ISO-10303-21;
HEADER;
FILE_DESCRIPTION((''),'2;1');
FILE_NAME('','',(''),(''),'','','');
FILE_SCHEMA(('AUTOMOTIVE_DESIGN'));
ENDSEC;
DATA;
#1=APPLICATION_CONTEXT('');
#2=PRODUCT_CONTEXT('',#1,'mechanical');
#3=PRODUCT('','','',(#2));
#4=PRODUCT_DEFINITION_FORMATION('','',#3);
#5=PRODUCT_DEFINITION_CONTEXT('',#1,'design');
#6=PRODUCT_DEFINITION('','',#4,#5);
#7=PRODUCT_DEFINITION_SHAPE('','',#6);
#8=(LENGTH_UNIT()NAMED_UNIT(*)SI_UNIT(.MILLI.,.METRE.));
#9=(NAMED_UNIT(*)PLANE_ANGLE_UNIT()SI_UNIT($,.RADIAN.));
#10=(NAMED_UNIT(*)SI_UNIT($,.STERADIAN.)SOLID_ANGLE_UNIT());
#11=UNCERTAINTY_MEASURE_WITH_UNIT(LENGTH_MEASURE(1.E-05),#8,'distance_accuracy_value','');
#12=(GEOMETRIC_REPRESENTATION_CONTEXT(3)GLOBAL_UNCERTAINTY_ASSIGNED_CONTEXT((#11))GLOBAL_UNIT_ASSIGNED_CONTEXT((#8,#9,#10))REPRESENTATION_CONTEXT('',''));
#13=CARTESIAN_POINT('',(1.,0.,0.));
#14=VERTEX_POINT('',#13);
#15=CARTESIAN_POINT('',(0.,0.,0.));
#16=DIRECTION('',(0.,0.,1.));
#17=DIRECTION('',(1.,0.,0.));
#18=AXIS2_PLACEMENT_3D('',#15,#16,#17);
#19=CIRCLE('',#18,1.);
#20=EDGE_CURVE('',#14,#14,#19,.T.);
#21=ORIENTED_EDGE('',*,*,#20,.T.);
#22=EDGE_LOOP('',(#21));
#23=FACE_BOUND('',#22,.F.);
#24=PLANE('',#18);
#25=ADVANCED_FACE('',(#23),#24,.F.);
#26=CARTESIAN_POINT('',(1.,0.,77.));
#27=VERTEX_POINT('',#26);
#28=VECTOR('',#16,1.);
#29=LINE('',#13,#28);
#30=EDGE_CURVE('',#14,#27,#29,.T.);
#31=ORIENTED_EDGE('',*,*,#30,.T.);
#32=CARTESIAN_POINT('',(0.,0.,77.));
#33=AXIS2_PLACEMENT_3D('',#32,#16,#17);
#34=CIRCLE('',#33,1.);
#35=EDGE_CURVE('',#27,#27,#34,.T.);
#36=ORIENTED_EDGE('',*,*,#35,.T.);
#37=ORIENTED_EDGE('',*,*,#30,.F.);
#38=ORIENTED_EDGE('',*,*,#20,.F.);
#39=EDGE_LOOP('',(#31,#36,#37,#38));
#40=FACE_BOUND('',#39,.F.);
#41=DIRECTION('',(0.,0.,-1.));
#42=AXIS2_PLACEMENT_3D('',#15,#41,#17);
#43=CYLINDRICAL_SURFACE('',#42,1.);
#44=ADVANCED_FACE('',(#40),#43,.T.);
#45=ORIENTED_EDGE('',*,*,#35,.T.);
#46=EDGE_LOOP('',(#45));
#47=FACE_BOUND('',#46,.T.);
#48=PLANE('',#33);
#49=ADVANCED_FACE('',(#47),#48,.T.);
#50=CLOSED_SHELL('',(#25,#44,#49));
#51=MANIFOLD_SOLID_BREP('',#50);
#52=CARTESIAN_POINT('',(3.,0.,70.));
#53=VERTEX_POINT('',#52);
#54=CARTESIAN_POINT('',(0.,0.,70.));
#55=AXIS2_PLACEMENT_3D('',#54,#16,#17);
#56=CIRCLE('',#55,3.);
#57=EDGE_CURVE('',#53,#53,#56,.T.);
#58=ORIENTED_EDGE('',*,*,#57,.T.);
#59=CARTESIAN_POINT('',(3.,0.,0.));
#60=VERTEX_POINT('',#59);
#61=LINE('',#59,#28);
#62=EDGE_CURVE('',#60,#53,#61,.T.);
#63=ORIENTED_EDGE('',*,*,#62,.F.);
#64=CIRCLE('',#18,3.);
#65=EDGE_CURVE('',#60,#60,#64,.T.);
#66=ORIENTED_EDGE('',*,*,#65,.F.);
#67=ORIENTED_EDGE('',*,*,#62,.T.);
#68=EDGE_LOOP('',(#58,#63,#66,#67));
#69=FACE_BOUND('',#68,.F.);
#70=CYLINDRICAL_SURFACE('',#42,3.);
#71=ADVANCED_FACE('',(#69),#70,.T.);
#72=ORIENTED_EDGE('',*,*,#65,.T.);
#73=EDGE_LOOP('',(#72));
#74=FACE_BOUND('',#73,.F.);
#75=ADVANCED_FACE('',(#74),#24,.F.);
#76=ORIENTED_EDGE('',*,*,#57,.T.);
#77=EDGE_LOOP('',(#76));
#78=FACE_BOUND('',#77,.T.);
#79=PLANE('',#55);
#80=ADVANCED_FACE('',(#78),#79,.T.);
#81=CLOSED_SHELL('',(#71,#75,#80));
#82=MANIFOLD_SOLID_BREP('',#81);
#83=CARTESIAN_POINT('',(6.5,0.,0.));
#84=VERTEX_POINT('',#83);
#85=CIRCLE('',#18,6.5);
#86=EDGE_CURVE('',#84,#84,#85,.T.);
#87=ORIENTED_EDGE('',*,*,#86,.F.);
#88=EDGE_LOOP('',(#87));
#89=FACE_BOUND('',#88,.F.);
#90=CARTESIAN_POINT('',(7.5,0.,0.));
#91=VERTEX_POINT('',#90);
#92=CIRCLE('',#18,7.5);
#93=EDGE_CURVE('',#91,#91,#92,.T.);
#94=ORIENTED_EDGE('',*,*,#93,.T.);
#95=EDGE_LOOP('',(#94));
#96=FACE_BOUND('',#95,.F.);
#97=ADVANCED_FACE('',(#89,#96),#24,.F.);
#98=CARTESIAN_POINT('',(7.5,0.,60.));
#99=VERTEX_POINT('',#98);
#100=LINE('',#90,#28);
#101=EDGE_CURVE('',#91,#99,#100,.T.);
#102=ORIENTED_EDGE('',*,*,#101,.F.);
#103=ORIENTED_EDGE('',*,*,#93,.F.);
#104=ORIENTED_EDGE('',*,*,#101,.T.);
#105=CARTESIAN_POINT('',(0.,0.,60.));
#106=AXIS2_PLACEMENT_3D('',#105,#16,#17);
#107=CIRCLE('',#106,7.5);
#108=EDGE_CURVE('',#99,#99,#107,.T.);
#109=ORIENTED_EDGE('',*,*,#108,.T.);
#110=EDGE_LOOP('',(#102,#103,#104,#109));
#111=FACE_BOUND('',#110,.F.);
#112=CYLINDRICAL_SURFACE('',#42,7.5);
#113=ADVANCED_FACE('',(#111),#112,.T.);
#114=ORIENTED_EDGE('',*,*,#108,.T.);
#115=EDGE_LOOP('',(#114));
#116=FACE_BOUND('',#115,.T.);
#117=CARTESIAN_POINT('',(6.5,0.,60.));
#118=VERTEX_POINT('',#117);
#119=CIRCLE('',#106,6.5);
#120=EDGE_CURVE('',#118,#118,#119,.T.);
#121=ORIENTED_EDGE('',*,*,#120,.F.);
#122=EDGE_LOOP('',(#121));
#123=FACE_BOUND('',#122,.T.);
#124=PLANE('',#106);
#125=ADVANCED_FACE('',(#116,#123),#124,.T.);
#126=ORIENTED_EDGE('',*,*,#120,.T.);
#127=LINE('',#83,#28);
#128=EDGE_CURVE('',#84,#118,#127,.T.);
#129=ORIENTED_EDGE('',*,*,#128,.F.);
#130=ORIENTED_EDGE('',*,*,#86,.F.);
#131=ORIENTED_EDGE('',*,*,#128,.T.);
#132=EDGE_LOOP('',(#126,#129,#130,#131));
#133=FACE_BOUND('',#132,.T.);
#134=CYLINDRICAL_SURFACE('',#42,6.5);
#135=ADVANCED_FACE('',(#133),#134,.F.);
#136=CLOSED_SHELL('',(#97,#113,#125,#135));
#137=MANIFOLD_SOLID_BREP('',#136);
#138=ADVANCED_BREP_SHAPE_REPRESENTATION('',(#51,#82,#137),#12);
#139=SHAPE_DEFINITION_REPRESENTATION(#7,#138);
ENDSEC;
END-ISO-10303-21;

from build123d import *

# Parameters (mm, degrees)
F0_R     = 7.5
F0_R_2   = 6.5
F1_DEPTH = 60
F0_R_3   = 1
F2_DEPTH = 77
F3_R     = 3
F4_DEPTH = 70


with BuildPart() as f1:
    # F0 (on Top) → F1 (new body)
    with BuildSketch(Plane.XY):
        Circle(F0_R)
        Circle(F0_R_2, mode=Mode.SUBTRACT)
    extrude(amount=F1_DEPTH)


with BuildPart() as f2:
    # F0 (on Top) → F2 (new body)
    with BuildSketch(Plane.XY):
        Circle(F0_R_3)
    extrude(amount=F2_DEPTH)


with BuildPart() as f4:
    # F3 (on Top) → F4 (new body)
    with BuildSketch(Plane.XY):
        Circle(F3_R)
    extrude(amount=F4_DEPTH)


solid = Compound([f1.part, f2.part, f4.part])
